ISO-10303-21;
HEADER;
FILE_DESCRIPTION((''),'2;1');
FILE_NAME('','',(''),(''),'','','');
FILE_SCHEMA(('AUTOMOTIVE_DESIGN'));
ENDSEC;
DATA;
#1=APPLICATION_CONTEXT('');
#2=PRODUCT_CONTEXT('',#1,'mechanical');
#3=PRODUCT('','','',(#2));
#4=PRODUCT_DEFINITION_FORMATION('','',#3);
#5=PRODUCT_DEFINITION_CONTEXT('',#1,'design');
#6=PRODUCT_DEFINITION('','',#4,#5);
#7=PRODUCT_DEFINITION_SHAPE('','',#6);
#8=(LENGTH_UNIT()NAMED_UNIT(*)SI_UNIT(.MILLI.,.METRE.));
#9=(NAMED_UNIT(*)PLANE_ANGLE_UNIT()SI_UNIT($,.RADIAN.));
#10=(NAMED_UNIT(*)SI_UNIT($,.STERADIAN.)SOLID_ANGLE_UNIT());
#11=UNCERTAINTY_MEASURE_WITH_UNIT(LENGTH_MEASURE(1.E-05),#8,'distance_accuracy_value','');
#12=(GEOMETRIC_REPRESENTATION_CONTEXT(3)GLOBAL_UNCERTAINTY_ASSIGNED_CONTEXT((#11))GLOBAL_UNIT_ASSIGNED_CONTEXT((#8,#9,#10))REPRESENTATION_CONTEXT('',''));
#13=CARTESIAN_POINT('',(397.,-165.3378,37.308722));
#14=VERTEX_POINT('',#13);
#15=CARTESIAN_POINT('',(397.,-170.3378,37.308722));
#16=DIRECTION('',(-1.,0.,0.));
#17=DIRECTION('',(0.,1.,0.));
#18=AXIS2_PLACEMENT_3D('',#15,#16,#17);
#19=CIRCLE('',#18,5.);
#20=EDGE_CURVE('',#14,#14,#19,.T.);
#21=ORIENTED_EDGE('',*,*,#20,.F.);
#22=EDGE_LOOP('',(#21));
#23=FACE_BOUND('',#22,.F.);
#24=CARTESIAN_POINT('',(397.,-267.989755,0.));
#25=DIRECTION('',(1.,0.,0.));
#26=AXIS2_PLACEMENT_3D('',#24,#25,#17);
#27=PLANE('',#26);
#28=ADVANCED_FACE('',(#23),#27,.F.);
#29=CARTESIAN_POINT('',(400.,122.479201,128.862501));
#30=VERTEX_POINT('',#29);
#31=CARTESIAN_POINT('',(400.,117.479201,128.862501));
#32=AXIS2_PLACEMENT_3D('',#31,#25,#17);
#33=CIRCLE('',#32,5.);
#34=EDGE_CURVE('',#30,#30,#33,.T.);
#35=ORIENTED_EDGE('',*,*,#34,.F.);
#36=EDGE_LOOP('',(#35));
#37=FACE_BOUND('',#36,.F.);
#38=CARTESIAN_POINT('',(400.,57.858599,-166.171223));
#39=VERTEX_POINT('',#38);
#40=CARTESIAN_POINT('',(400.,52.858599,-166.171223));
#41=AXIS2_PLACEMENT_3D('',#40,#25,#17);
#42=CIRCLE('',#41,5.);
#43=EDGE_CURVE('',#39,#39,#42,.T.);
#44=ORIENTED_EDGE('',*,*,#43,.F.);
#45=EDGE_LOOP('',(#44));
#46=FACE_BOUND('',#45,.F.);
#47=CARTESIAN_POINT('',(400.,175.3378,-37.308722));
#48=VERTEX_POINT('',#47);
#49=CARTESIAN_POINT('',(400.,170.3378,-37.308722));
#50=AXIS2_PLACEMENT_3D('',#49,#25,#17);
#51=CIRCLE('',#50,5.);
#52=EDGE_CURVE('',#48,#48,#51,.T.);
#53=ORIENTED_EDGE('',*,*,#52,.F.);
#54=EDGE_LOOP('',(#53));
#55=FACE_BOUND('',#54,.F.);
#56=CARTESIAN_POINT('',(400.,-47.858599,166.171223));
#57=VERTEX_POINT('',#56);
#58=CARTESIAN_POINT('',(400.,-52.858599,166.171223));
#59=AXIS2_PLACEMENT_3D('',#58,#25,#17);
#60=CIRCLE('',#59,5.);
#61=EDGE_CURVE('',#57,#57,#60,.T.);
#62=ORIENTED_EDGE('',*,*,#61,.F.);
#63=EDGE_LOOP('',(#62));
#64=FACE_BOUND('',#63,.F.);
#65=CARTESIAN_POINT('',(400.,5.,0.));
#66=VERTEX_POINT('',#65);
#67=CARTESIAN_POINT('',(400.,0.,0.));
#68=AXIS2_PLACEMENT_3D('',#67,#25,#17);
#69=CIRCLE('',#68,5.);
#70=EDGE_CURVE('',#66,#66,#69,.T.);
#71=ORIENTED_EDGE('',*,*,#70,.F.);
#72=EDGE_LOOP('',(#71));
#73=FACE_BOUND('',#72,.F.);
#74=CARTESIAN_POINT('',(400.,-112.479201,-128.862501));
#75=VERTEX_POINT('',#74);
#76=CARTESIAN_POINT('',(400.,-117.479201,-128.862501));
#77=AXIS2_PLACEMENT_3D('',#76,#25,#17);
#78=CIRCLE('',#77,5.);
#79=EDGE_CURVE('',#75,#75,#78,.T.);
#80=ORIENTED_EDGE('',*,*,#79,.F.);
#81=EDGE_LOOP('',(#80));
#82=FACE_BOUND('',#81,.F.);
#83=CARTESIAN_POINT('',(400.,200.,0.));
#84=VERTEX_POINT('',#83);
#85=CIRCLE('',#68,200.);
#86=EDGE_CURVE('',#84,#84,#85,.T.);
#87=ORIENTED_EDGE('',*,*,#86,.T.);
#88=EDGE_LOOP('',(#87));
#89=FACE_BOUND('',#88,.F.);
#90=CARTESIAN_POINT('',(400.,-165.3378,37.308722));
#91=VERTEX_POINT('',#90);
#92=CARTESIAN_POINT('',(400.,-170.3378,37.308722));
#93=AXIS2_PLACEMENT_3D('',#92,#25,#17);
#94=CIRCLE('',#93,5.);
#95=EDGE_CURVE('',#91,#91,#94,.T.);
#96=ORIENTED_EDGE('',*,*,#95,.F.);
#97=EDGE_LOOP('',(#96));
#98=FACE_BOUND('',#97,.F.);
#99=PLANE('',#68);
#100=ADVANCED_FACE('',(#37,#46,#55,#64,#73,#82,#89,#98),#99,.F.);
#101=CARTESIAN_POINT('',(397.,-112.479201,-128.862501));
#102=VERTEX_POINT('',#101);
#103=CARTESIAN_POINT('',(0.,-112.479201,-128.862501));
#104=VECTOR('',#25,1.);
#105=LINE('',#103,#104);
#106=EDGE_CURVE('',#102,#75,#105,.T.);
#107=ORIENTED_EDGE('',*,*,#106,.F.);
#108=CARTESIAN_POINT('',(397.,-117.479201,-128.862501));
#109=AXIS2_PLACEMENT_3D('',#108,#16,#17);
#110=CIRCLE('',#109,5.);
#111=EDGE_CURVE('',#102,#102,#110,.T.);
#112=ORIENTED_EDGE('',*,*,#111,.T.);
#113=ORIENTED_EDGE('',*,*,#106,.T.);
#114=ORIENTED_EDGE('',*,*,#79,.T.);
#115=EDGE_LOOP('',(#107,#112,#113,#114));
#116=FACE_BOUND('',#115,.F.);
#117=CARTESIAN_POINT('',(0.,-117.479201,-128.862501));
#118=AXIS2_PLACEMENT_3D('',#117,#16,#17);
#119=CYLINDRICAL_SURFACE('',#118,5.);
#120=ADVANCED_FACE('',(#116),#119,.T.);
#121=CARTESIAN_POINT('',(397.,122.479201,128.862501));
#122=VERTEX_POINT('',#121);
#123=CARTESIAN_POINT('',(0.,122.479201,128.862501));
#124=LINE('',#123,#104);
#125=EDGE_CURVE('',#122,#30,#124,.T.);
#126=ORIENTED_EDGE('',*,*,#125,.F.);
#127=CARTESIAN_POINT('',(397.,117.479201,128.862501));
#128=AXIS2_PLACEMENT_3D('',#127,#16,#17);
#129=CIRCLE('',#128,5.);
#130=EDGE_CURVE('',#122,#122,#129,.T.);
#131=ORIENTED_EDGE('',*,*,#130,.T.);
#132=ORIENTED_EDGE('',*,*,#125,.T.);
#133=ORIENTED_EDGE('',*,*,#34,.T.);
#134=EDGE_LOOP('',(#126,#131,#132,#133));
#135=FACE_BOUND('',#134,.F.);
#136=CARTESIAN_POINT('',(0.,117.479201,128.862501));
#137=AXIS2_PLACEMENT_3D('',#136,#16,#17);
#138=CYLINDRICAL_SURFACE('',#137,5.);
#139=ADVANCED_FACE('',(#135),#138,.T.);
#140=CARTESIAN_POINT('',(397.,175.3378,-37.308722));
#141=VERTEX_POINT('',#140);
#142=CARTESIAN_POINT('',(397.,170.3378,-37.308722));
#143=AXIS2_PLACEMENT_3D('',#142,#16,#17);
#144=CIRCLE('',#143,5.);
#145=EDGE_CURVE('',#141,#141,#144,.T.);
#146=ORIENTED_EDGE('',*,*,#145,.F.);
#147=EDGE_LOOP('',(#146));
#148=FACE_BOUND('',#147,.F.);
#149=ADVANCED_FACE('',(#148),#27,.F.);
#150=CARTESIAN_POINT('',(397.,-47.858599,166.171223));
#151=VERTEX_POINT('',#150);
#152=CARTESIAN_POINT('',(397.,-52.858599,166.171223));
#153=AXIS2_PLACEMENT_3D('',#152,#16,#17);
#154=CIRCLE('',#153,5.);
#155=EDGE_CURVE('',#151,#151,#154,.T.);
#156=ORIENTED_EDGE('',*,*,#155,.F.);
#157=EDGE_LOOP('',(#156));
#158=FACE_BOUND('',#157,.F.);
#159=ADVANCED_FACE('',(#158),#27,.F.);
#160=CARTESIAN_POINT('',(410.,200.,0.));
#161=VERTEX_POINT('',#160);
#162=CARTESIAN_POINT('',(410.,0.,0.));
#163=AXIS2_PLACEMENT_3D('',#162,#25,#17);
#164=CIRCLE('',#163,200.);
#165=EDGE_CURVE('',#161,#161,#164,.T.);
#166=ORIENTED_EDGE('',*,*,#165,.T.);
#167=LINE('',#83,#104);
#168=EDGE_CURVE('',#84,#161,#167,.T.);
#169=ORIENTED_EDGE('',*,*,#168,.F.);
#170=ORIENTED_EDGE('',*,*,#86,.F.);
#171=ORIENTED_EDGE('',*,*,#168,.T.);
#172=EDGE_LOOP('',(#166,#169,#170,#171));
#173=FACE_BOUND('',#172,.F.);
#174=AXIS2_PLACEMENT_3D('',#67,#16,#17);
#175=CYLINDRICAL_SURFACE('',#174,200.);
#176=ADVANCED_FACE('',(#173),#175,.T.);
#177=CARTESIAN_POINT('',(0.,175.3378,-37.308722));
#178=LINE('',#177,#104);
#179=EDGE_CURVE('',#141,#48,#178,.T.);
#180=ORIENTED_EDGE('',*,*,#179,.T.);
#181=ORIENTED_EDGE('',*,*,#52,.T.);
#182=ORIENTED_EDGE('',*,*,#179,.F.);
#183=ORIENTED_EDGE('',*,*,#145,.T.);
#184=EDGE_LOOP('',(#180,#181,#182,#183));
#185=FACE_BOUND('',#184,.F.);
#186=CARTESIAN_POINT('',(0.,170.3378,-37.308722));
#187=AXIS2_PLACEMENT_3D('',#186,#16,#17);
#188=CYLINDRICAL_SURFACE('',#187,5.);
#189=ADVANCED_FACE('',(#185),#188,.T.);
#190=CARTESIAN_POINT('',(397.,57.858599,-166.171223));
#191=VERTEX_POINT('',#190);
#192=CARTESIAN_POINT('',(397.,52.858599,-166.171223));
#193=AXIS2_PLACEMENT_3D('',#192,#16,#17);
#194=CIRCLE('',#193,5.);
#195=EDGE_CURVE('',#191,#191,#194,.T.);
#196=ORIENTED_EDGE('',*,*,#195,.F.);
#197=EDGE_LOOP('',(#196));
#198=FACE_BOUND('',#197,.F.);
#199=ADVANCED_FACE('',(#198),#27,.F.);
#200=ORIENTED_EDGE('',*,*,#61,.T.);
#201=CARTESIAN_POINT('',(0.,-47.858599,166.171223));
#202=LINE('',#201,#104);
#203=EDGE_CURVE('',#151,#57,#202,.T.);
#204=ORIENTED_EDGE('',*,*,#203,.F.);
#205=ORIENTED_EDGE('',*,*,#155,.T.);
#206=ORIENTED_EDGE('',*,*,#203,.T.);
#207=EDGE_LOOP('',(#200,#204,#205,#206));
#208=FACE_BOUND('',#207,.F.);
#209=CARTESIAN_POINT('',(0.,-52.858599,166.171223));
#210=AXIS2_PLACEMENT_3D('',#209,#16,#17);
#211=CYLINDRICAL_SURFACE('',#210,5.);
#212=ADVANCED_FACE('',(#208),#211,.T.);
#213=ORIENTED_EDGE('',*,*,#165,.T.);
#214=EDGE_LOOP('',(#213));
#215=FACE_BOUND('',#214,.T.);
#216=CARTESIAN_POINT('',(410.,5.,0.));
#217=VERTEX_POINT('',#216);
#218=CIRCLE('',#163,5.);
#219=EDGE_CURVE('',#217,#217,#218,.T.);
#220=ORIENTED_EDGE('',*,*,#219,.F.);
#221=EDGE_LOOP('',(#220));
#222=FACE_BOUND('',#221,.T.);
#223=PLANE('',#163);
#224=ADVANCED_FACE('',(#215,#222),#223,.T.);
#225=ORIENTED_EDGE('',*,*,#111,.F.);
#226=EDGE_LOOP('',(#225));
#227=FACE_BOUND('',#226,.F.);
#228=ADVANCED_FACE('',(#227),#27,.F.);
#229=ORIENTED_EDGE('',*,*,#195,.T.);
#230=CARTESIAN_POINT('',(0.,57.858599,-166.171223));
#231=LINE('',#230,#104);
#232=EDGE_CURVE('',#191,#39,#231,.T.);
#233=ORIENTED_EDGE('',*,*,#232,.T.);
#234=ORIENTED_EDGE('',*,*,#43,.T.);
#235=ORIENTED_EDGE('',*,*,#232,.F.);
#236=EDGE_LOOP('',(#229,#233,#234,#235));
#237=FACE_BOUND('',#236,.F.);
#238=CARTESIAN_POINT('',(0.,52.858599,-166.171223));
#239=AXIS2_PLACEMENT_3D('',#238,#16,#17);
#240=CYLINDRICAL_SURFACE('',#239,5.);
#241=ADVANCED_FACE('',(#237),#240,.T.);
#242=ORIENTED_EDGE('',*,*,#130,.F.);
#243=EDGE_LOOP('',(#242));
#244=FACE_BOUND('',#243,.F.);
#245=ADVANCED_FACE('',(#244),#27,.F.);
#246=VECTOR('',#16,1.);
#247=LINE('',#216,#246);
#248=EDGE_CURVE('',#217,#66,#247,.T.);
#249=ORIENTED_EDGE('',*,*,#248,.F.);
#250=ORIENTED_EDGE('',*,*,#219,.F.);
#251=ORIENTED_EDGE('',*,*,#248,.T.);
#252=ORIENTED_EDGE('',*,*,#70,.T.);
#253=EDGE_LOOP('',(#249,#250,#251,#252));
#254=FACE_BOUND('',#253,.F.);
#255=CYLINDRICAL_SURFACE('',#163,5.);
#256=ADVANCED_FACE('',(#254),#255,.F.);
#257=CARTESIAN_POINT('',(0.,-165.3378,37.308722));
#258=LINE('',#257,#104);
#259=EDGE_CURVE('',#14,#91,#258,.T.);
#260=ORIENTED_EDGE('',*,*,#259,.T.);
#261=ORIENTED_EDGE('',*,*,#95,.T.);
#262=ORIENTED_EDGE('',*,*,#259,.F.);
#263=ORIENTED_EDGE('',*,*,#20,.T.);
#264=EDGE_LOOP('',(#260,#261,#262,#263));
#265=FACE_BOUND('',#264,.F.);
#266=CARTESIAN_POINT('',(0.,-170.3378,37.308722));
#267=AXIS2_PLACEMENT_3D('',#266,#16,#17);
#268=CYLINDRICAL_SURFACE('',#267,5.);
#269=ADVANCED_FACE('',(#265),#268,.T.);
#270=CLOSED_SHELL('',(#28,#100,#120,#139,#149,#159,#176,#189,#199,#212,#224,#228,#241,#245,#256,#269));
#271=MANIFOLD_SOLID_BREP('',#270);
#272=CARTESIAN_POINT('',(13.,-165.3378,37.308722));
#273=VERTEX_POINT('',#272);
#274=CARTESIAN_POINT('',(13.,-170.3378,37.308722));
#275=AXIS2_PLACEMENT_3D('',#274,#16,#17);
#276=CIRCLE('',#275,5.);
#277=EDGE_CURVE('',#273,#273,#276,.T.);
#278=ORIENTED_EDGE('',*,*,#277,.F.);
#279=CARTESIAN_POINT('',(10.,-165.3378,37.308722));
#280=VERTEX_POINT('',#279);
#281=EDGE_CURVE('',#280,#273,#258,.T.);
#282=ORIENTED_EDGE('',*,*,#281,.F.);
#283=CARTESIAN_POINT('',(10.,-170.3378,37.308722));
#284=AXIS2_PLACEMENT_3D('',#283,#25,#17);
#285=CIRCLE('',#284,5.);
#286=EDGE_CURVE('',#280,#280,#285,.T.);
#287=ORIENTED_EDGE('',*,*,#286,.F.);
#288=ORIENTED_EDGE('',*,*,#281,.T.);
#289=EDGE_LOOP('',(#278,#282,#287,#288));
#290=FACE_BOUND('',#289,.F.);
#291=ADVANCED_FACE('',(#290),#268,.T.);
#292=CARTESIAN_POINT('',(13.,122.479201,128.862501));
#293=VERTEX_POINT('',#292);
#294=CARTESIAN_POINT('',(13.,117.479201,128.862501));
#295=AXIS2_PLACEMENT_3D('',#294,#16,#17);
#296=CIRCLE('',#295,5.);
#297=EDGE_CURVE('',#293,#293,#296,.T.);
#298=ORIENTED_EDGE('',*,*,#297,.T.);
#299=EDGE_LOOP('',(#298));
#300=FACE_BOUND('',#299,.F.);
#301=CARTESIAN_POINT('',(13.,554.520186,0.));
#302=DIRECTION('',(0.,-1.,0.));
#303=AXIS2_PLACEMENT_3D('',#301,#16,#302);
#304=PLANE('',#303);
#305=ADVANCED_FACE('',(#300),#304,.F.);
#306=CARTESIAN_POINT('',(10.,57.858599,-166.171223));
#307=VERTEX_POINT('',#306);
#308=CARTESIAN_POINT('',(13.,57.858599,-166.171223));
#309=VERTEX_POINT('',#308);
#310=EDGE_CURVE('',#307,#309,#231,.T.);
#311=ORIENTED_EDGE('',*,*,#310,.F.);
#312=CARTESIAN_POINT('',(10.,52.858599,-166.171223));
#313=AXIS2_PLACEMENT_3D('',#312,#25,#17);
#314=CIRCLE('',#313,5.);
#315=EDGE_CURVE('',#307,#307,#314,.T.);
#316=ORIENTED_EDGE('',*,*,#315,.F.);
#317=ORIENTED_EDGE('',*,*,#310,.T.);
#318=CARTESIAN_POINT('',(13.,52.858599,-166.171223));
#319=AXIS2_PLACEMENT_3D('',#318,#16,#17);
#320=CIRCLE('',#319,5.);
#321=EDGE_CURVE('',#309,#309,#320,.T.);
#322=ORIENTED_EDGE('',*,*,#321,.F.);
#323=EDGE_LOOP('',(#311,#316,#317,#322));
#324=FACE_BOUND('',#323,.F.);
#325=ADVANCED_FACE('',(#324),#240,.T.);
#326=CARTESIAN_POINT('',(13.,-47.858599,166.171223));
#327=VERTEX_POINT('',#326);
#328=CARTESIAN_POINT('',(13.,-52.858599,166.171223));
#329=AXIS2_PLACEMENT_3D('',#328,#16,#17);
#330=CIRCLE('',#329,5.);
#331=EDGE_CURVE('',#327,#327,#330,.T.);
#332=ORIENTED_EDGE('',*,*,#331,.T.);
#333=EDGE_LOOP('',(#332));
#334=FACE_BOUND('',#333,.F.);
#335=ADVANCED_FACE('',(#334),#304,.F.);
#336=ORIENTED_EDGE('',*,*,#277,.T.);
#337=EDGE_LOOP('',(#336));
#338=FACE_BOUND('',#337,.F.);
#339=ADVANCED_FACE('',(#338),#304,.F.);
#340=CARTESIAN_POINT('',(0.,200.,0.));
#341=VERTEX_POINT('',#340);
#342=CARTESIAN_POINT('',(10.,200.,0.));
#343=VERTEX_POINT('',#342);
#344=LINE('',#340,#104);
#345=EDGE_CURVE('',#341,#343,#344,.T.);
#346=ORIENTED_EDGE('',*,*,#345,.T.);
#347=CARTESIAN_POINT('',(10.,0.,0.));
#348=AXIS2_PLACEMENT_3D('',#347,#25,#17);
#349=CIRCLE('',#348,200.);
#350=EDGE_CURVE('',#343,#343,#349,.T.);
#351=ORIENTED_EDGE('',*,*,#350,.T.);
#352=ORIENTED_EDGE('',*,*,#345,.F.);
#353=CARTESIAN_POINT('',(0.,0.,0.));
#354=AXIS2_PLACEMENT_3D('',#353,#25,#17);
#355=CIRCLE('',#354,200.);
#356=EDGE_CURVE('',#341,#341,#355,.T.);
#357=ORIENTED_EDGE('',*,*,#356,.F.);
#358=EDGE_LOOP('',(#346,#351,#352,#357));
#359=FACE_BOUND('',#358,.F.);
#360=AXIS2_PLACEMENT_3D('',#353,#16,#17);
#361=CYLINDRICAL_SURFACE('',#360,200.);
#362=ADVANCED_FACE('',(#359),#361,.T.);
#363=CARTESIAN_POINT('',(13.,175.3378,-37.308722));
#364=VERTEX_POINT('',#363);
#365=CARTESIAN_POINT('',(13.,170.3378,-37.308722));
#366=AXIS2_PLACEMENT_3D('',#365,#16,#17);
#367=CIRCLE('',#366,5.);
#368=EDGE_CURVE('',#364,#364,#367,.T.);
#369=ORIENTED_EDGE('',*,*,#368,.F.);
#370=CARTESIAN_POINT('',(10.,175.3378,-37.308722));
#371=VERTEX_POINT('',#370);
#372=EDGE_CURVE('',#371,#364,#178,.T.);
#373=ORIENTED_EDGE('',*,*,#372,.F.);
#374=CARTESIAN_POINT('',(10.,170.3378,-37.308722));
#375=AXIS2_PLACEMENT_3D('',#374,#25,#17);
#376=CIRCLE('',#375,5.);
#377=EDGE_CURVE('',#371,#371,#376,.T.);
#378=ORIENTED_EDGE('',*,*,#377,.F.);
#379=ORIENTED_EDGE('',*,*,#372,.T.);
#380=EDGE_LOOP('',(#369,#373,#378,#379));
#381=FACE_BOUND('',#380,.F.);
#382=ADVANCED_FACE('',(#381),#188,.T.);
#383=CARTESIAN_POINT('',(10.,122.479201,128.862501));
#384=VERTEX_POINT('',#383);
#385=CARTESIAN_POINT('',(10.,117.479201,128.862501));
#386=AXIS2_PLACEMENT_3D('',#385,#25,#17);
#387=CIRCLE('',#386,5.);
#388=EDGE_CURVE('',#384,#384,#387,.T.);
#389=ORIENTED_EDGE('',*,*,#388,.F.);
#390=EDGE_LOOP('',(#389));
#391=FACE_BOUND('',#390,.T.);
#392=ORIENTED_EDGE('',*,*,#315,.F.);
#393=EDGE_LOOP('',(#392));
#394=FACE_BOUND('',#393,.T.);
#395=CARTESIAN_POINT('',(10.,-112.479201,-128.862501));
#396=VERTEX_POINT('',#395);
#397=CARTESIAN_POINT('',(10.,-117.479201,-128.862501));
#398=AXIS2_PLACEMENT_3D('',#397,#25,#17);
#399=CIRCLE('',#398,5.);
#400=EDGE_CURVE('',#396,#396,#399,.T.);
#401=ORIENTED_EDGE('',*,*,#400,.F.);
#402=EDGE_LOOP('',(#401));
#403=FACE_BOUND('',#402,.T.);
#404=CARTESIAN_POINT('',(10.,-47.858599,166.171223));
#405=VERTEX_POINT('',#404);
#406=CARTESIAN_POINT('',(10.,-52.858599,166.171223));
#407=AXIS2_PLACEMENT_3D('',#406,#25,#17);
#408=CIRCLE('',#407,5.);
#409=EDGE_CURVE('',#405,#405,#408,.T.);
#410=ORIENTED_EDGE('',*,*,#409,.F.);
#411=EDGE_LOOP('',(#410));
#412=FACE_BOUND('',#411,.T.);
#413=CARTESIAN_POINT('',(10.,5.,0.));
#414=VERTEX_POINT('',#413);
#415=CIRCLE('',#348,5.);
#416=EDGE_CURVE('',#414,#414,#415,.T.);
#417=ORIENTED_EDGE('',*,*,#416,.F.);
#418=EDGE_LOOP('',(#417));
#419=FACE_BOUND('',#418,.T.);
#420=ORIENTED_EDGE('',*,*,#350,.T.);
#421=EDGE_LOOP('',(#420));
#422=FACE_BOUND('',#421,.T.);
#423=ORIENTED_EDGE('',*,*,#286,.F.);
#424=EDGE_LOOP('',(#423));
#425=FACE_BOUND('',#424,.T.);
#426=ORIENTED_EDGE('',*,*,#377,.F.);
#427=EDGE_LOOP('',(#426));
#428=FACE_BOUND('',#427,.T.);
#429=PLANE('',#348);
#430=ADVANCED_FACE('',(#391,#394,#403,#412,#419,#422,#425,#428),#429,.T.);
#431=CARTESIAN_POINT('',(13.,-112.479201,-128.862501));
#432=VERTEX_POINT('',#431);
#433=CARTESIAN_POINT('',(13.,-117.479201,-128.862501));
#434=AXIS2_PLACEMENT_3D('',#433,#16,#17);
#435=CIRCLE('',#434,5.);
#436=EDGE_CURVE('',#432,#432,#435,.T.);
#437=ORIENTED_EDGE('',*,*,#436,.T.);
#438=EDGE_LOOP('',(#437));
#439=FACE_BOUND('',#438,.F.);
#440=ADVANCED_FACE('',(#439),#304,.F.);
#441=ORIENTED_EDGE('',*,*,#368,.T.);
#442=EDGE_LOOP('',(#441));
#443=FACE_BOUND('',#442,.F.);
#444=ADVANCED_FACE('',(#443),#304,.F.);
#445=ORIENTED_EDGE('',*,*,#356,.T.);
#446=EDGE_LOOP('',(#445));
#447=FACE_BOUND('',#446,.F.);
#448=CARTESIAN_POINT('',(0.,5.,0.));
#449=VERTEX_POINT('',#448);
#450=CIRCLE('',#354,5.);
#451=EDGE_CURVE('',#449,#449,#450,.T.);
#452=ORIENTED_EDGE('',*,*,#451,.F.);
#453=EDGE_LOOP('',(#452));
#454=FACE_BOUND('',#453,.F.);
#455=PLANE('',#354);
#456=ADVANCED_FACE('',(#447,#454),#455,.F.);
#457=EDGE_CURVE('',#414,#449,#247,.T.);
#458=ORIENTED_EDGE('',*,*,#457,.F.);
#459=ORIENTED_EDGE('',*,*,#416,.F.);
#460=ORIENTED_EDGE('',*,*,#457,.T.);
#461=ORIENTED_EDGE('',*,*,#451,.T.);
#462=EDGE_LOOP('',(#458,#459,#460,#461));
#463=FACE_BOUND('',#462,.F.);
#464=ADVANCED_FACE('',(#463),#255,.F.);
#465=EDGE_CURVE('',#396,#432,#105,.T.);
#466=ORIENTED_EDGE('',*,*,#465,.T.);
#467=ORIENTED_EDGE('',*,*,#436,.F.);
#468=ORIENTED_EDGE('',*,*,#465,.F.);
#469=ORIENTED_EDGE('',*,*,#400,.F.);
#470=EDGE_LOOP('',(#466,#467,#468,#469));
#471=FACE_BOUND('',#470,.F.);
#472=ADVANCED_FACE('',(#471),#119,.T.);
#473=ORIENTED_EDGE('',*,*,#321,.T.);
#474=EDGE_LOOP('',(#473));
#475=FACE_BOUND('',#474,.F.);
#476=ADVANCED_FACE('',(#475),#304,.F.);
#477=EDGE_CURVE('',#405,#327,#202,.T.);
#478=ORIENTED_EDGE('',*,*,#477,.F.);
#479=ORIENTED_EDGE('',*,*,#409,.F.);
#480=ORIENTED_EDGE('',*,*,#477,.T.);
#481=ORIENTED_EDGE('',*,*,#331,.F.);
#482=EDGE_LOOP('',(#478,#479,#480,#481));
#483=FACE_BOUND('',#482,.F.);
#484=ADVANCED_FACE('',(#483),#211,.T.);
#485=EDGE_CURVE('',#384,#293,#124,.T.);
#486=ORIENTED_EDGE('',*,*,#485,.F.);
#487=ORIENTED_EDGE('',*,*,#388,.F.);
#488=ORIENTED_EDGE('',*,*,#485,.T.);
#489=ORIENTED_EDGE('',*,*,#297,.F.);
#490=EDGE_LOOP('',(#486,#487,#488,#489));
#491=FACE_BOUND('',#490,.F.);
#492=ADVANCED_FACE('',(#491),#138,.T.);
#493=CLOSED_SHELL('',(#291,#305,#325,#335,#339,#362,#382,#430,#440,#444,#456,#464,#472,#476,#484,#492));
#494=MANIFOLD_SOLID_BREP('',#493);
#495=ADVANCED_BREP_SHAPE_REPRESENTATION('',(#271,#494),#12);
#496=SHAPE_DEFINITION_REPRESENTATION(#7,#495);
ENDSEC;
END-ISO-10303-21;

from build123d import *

# Parameters (mm, degrees)
F0_R     = 5
F1_DEPTH = 400
F0_R_2   = 200
F2_DEPTH = 10
F3_R     = 200
F4_DEPTH = 10
F5_R     = 5
F6_DEPTH = 3000
F7_W     = 384
F7_H     = 600
F7_H_2   = 222.5099402733
F8_DEPTH = 200


with BuildPart() as f1:
    # F0 (on Right) → F1 (new body)
    with BuildSketch(Plane.YZ):
        with Locations((52.8585985303, -166.1712229252)):
            Circle(F0_R)
    extrude(amount=F1_DEPTH)



with BuildPart() as f1b:
    # F0 (on Right) → F1, piece 2 (new body)
    with BuildSketch(Plane.YZ):
        with Locations((-117.479201166, -128.8625005983)):
            Circle(F0_R)
    extrude(amount=F1_DEPTH)


with BuildPart() as f1c:
    # F0 (on Right) → F1, piece 3 (new body)
    with BuildSketch(Plane.YZ):
        with Locations((-170.3377996963, 37.3087223269)):
            Circle(F0_R)
    extrude(amount=F1_DEPTH)


with BuildPart() as f1d:
    # F0 (on Right) → F1, piece 4 (new body)
    with BuildSketch(Plane.YZ):
        with Locations((-52.8585985303, 166.1712229252)):
            Circle(F0_R)
    extrude(amount=F1_DEPTH)


with BuildPart() as f1e:
    # F0 (on Right) → F1, piece 5 (new body)
    with BuildSketch(Plane.YZ):
        with Locations((170.3377996963, -37.3087223269)):
            Circle(F0_R)
    extrude(amount=F1_DEPTH)


with BuildPart() as f1f:
    # F0 (on Right) → F1, piece 6 (new body)
    with BuildSketch(Plane.YZ):
        with Locations((117.479201166, 128.8625005983)):
            Circle(F0_R)
    extrude(amount=F1_DEPTH)


with BuildPart() as f1_1:
    add(f1.part)

    add(f1b.part)  # F2 merges F1b

    add(f1c.part)  # F2 merges F1c

    add(f1d.part)  # F2 merges F1d

    add(f1e.part)  # F2 merges F1e

    add(f1f.part)  # F2 merges F1f
    # F0 (on Right) → F2 (join)
    with BuildSketch(Plane.YZ):
        Circle(F0_R_2)
        with Locations((-117.479201166, -128.8625005983)):
            Circle(F0_R, mode=Mode.SUBTRACT)
        with Locations((52.8585985303, -166.1712229252)):
            Circle(F0_R, mode=Mode.SUBTRACT)
        with Locations((170.3377996963, -37.3087223269)):
            Circle(F0_R, mode=Mode.SUBTRACT)
        with Locations((-170.3377996963, 37.3087223269)):
            Circle(F0_R, mode=Mode.SUBTRACT)
        with Locations((-52.8585985303, 166.1712229252)):
            Circle(F0_R, mode=Mode.SUBTRACT)
        with Locations((117.479201166, 128.8625005983)):
            Circle(F0_R, mode=Mode.SUBTRACT)
    extrude(amount=F2_DEPTH)

    # F3 (on face) → F4 (join)
    with BuildSketch(Plane.YZ.offset(400)):
        Circle(F3_R)
    extrude(amount=F4_DEPTH)

    # F5 (on face) → F6 (cut)
    with BuildSketch(Plane.YZ.offset(410)):
        Circle(F5_R)
    extrude(amount=-F6_DEPTH, mode=Mode.SUBTRACT)

    # F7 (on Top) → F8 (cut, symmetric)
    with BuildSketch(Plane.XY):
        with Locations((205, 254.5201855965)):
            Rectangle(F7_W, F7_H)
        with Locations((205, -156.7347845402)):
            Rectangle(F7_W, F7_H_2)
    extrude(amount=F8_DEPTH, both=True, mode=Mode.SUBTRACT)


solid = f1_1.part
